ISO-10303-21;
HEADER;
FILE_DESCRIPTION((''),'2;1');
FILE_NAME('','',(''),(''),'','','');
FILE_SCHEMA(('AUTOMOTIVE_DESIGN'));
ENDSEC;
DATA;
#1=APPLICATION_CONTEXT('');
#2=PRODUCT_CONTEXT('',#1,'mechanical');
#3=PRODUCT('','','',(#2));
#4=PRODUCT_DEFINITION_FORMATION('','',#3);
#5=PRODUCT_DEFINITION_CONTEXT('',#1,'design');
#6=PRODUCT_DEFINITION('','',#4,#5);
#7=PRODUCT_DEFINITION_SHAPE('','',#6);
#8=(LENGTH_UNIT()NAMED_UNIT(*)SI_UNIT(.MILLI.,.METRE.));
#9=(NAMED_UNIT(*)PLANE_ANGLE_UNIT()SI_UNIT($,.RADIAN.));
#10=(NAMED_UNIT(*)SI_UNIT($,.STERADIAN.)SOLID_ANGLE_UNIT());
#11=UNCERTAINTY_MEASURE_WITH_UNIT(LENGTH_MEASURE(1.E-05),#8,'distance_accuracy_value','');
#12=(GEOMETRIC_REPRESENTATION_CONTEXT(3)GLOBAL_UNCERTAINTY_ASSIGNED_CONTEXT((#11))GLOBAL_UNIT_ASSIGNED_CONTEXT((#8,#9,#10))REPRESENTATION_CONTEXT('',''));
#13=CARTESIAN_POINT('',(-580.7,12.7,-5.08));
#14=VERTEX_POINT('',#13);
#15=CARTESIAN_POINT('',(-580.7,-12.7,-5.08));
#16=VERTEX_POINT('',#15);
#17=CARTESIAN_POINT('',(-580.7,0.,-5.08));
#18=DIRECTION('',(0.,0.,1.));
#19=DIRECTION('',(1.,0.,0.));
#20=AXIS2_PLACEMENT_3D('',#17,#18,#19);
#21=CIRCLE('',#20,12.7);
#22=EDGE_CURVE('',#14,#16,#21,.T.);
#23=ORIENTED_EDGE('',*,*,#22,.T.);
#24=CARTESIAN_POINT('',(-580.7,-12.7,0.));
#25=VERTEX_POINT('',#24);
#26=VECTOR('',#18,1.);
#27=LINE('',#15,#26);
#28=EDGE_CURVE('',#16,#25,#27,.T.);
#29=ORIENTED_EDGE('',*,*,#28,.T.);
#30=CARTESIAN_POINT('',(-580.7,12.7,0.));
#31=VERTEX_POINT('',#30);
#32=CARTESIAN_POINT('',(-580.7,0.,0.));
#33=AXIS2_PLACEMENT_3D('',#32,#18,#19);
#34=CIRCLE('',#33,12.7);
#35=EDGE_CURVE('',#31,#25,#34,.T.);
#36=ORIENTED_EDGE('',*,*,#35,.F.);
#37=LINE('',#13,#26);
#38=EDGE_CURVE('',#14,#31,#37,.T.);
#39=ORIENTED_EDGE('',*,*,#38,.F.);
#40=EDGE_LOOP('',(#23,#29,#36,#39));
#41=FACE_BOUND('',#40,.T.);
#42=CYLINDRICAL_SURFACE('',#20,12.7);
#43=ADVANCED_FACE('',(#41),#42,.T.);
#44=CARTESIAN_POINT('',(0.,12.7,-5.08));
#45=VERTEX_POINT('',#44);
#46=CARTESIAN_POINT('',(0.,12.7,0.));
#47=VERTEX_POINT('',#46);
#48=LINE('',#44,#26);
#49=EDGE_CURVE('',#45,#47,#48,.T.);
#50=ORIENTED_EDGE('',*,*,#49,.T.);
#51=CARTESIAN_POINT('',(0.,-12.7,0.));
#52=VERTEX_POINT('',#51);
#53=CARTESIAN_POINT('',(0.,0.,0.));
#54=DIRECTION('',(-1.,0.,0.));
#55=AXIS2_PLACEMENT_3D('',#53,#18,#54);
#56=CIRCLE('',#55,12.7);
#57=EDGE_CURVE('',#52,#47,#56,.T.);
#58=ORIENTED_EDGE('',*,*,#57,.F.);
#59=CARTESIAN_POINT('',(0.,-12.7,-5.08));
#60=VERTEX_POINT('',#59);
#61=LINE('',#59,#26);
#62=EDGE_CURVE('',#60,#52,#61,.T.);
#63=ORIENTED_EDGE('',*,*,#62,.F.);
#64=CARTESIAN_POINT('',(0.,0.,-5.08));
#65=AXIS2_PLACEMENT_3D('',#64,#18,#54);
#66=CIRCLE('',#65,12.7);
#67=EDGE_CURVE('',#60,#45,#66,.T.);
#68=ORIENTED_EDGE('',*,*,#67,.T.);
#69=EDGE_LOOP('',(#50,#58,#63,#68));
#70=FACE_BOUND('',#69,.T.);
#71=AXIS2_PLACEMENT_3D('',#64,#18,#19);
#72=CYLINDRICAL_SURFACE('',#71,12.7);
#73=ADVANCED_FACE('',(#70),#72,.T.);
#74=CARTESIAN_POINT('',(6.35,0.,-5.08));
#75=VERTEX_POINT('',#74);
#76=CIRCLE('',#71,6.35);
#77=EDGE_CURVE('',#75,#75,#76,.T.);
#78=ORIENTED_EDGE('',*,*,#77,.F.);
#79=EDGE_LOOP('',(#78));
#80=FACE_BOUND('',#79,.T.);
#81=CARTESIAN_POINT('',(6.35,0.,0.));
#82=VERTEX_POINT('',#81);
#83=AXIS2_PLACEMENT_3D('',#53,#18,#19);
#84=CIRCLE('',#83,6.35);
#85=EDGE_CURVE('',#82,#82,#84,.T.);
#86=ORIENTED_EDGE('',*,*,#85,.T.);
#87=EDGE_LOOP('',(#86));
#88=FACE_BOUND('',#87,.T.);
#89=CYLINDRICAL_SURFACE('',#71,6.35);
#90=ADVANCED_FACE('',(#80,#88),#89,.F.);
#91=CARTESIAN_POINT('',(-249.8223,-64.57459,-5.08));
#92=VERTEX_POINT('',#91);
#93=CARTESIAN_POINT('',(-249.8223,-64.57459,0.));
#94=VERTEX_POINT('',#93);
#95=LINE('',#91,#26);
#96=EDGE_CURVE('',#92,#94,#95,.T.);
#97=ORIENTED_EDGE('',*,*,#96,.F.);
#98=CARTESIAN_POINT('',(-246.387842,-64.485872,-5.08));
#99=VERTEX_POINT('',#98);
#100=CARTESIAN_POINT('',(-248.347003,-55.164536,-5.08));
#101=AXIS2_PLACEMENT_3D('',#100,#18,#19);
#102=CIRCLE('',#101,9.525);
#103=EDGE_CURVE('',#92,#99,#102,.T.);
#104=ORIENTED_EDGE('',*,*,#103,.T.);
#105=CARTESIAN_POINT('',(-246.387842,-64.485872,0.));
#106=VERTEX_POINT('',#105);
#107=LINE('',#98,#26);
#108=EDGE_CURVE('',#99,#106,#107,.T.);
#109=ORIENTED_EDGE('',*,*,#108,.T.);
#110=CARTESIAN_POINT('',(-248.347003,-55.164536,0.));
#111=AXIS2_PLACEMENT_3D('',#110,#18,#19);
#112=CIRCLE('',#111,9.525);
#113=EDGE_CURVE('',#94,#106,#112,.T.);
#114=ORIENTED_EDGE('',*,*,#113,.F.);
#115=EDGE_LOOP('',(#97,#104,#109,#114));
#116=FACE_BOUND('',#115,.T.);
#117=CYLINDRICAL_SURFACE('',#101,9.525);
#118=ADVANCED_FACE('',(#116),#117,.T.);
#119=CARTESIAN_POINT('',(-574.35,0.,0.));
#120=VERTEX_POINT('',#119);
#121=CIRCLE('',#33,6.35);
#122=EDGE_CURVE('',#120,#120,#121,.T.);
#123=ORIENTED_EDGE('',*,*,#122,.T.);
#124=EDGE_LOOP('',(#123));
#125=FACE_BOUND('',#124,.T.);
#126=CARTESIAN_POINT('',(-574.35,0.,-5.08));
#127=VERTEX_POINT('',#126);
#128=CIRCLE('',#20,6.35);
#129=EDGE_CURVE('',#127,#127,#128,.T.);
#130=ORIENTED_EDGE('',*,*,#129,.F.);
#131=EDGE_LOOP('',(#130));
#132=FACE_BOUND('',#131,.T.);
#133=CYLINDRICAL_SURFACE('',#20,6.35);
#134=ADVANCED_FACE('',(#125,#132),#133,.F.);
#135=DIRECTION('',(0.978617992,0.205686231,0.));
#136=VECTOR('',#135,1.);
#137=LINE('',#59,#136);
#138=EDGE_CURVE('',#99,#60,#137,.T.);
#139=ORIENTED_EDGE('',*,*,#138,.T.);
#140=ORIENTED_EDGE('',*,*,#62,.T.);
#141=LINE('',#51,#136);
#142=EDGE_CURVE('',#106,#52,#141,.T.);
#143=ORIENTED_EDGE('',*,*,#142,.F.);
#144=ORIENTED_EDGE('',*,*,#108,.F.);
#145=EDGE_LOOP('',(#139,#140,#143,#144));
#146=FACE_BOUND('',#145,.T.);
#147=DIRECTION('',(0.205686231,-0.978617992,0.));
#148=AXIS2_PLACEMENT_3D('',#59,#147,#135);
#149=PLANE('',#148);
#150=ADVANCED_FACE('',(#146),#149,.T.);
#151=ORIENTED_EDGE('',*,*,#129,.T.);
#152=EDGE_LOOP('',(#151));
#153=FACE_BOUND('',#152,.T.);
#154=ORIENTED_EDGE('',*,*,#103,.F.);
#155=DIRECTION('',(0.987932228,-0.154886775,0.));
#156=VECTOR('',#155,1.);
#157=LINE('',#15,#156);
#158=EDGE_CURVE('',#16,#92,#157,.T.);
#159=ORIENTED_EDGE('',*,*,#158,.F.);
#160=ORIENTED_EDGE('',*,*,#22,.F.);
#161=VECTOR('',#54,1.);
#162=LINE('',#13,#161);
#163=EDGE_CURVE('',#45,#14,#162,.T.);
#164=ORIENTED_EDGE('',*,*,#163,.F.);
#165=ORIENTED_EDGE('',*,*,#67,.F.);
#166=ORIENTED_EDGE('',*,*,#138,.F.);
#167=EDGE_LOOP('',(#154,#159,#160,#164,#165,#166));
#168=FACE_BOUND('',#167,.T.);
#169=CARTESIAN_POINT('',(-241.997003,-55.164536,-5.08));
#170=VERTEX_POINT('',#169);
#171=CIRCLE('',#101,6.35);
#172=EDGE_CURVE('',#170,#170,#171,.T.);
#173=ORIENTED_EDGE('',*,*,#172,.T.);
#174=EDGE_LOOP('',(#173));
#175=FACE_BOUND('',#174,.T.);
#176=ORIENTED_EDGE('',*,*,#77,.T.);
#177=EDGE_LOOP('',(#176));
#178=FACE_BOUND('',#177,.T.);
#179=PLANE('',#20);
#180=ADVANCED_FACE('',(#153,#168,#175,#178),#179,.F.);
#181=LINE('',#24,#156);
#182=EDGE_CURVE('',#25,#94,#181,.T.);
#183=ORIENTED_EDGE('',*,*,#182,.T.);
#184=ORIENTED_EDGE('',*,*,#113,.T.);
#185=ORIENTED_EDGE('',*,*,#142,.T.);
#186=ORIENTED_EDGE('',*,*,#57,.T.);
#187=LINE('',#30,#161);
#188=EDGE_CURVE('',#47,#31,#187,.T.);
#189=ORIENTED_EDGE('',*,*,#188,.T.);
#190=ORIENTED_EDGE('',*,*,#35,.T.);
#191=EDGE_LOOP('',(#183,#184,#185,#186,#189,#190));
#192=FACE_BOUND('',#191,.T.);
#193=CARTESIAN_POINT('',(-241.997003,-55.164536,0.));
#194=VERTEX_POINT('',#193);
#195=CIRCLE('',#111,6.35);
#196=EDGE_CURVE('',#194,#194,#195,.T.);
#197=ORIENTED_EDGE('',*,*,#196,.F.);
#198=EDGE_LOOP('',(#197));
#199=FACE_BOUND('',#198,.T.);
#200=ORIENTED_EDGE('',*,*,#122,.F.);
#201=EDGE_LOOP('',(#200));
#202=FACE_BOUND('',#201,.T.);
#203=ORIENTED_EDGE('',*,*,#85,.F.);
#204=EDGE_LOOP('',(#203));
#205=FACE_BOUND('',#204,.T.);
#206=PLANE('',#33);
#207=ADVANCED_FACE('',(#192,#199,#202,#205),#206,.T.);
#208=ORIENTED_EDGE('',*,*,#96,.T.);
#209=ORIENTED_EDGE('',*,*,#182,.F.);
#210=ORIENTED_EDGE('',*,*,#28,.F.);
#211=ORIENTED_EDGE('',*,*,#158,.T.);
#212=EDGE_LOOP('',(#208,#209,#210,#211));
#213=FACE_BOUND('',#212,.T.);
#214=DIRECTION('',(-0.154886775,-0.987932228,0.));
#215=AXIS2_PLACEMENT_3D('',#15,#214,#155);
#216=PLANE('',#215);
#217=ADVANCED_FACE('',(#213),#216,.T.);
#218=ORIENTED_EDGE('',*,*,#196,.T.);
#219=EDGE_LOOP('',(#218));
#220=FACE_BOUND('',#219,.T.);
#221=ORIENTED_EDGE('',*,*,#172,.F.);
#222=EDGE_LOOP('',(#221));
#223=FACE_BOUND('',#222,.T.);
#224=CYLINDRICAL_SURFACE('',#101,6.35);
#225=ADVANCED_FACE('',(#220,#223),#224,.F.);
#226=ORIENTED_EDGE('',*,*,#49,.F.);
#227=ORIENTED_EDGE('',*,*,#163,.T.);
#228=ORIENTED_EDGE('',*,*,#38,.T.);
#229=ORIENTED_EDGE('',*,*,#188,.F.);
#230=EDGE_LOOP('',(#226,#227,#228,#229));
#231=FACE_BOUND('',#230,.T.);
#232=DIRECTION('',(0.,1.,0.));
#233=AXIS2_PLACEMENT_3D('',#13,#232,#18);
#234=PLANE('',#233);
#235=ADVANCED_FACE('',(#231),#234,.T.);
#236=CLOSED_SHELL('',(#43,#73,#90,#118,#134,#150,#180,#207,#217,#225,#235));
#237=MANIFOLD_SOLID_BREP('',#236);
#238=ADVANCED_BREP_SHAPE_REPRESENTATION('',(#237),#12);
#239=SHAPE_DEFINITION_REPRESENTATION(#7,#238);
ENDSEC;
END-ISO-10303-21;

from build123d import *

# Parameters (mm, degrees)
SKETCH1_R           = 6.35
BOSS_EXTRUDE1_DEPTH = 5.08


with BuildPart() as part:
    # Sketch1 → Boss-Extrude1 (new body)
    with BuildSketch(Plane.XY):
        with BuildLine():
            Line((-580.7, 12.7), (0, 12.7))
            ThreePointArc((0, 12.7), (12.7, 0), (0, -12.7))
            Line((0, -12.7), (-246.387841786, -64.485872398))
            ThreePointArc((-246.387841786, -64.485872398), (-248.101037656, -64.686359692), (-249.822299661, -64.574590494))
            Line((-249.822299661, -64.574590494), (-580.7, -12.7))
            ThreePointArc((-580.7, -12.7), (-593.4, 0), (-580.7, 12.7))
        make_face()
        Circle(SKETCH1_R, mode=Mode.SUBTRACT)
        with Locations((-580.7, 0)):
            Circle(SKETCH1_R, mode=Mode.SUBTRACT)
        with Locations((-248.347003133, -55.164536023)):
            Circle(SKETCH1_R, mode=Mode.SUBTRACT)
    extrude(amount=-BOSS_EXTRUDE1_DEPTH)


solid = part.part
